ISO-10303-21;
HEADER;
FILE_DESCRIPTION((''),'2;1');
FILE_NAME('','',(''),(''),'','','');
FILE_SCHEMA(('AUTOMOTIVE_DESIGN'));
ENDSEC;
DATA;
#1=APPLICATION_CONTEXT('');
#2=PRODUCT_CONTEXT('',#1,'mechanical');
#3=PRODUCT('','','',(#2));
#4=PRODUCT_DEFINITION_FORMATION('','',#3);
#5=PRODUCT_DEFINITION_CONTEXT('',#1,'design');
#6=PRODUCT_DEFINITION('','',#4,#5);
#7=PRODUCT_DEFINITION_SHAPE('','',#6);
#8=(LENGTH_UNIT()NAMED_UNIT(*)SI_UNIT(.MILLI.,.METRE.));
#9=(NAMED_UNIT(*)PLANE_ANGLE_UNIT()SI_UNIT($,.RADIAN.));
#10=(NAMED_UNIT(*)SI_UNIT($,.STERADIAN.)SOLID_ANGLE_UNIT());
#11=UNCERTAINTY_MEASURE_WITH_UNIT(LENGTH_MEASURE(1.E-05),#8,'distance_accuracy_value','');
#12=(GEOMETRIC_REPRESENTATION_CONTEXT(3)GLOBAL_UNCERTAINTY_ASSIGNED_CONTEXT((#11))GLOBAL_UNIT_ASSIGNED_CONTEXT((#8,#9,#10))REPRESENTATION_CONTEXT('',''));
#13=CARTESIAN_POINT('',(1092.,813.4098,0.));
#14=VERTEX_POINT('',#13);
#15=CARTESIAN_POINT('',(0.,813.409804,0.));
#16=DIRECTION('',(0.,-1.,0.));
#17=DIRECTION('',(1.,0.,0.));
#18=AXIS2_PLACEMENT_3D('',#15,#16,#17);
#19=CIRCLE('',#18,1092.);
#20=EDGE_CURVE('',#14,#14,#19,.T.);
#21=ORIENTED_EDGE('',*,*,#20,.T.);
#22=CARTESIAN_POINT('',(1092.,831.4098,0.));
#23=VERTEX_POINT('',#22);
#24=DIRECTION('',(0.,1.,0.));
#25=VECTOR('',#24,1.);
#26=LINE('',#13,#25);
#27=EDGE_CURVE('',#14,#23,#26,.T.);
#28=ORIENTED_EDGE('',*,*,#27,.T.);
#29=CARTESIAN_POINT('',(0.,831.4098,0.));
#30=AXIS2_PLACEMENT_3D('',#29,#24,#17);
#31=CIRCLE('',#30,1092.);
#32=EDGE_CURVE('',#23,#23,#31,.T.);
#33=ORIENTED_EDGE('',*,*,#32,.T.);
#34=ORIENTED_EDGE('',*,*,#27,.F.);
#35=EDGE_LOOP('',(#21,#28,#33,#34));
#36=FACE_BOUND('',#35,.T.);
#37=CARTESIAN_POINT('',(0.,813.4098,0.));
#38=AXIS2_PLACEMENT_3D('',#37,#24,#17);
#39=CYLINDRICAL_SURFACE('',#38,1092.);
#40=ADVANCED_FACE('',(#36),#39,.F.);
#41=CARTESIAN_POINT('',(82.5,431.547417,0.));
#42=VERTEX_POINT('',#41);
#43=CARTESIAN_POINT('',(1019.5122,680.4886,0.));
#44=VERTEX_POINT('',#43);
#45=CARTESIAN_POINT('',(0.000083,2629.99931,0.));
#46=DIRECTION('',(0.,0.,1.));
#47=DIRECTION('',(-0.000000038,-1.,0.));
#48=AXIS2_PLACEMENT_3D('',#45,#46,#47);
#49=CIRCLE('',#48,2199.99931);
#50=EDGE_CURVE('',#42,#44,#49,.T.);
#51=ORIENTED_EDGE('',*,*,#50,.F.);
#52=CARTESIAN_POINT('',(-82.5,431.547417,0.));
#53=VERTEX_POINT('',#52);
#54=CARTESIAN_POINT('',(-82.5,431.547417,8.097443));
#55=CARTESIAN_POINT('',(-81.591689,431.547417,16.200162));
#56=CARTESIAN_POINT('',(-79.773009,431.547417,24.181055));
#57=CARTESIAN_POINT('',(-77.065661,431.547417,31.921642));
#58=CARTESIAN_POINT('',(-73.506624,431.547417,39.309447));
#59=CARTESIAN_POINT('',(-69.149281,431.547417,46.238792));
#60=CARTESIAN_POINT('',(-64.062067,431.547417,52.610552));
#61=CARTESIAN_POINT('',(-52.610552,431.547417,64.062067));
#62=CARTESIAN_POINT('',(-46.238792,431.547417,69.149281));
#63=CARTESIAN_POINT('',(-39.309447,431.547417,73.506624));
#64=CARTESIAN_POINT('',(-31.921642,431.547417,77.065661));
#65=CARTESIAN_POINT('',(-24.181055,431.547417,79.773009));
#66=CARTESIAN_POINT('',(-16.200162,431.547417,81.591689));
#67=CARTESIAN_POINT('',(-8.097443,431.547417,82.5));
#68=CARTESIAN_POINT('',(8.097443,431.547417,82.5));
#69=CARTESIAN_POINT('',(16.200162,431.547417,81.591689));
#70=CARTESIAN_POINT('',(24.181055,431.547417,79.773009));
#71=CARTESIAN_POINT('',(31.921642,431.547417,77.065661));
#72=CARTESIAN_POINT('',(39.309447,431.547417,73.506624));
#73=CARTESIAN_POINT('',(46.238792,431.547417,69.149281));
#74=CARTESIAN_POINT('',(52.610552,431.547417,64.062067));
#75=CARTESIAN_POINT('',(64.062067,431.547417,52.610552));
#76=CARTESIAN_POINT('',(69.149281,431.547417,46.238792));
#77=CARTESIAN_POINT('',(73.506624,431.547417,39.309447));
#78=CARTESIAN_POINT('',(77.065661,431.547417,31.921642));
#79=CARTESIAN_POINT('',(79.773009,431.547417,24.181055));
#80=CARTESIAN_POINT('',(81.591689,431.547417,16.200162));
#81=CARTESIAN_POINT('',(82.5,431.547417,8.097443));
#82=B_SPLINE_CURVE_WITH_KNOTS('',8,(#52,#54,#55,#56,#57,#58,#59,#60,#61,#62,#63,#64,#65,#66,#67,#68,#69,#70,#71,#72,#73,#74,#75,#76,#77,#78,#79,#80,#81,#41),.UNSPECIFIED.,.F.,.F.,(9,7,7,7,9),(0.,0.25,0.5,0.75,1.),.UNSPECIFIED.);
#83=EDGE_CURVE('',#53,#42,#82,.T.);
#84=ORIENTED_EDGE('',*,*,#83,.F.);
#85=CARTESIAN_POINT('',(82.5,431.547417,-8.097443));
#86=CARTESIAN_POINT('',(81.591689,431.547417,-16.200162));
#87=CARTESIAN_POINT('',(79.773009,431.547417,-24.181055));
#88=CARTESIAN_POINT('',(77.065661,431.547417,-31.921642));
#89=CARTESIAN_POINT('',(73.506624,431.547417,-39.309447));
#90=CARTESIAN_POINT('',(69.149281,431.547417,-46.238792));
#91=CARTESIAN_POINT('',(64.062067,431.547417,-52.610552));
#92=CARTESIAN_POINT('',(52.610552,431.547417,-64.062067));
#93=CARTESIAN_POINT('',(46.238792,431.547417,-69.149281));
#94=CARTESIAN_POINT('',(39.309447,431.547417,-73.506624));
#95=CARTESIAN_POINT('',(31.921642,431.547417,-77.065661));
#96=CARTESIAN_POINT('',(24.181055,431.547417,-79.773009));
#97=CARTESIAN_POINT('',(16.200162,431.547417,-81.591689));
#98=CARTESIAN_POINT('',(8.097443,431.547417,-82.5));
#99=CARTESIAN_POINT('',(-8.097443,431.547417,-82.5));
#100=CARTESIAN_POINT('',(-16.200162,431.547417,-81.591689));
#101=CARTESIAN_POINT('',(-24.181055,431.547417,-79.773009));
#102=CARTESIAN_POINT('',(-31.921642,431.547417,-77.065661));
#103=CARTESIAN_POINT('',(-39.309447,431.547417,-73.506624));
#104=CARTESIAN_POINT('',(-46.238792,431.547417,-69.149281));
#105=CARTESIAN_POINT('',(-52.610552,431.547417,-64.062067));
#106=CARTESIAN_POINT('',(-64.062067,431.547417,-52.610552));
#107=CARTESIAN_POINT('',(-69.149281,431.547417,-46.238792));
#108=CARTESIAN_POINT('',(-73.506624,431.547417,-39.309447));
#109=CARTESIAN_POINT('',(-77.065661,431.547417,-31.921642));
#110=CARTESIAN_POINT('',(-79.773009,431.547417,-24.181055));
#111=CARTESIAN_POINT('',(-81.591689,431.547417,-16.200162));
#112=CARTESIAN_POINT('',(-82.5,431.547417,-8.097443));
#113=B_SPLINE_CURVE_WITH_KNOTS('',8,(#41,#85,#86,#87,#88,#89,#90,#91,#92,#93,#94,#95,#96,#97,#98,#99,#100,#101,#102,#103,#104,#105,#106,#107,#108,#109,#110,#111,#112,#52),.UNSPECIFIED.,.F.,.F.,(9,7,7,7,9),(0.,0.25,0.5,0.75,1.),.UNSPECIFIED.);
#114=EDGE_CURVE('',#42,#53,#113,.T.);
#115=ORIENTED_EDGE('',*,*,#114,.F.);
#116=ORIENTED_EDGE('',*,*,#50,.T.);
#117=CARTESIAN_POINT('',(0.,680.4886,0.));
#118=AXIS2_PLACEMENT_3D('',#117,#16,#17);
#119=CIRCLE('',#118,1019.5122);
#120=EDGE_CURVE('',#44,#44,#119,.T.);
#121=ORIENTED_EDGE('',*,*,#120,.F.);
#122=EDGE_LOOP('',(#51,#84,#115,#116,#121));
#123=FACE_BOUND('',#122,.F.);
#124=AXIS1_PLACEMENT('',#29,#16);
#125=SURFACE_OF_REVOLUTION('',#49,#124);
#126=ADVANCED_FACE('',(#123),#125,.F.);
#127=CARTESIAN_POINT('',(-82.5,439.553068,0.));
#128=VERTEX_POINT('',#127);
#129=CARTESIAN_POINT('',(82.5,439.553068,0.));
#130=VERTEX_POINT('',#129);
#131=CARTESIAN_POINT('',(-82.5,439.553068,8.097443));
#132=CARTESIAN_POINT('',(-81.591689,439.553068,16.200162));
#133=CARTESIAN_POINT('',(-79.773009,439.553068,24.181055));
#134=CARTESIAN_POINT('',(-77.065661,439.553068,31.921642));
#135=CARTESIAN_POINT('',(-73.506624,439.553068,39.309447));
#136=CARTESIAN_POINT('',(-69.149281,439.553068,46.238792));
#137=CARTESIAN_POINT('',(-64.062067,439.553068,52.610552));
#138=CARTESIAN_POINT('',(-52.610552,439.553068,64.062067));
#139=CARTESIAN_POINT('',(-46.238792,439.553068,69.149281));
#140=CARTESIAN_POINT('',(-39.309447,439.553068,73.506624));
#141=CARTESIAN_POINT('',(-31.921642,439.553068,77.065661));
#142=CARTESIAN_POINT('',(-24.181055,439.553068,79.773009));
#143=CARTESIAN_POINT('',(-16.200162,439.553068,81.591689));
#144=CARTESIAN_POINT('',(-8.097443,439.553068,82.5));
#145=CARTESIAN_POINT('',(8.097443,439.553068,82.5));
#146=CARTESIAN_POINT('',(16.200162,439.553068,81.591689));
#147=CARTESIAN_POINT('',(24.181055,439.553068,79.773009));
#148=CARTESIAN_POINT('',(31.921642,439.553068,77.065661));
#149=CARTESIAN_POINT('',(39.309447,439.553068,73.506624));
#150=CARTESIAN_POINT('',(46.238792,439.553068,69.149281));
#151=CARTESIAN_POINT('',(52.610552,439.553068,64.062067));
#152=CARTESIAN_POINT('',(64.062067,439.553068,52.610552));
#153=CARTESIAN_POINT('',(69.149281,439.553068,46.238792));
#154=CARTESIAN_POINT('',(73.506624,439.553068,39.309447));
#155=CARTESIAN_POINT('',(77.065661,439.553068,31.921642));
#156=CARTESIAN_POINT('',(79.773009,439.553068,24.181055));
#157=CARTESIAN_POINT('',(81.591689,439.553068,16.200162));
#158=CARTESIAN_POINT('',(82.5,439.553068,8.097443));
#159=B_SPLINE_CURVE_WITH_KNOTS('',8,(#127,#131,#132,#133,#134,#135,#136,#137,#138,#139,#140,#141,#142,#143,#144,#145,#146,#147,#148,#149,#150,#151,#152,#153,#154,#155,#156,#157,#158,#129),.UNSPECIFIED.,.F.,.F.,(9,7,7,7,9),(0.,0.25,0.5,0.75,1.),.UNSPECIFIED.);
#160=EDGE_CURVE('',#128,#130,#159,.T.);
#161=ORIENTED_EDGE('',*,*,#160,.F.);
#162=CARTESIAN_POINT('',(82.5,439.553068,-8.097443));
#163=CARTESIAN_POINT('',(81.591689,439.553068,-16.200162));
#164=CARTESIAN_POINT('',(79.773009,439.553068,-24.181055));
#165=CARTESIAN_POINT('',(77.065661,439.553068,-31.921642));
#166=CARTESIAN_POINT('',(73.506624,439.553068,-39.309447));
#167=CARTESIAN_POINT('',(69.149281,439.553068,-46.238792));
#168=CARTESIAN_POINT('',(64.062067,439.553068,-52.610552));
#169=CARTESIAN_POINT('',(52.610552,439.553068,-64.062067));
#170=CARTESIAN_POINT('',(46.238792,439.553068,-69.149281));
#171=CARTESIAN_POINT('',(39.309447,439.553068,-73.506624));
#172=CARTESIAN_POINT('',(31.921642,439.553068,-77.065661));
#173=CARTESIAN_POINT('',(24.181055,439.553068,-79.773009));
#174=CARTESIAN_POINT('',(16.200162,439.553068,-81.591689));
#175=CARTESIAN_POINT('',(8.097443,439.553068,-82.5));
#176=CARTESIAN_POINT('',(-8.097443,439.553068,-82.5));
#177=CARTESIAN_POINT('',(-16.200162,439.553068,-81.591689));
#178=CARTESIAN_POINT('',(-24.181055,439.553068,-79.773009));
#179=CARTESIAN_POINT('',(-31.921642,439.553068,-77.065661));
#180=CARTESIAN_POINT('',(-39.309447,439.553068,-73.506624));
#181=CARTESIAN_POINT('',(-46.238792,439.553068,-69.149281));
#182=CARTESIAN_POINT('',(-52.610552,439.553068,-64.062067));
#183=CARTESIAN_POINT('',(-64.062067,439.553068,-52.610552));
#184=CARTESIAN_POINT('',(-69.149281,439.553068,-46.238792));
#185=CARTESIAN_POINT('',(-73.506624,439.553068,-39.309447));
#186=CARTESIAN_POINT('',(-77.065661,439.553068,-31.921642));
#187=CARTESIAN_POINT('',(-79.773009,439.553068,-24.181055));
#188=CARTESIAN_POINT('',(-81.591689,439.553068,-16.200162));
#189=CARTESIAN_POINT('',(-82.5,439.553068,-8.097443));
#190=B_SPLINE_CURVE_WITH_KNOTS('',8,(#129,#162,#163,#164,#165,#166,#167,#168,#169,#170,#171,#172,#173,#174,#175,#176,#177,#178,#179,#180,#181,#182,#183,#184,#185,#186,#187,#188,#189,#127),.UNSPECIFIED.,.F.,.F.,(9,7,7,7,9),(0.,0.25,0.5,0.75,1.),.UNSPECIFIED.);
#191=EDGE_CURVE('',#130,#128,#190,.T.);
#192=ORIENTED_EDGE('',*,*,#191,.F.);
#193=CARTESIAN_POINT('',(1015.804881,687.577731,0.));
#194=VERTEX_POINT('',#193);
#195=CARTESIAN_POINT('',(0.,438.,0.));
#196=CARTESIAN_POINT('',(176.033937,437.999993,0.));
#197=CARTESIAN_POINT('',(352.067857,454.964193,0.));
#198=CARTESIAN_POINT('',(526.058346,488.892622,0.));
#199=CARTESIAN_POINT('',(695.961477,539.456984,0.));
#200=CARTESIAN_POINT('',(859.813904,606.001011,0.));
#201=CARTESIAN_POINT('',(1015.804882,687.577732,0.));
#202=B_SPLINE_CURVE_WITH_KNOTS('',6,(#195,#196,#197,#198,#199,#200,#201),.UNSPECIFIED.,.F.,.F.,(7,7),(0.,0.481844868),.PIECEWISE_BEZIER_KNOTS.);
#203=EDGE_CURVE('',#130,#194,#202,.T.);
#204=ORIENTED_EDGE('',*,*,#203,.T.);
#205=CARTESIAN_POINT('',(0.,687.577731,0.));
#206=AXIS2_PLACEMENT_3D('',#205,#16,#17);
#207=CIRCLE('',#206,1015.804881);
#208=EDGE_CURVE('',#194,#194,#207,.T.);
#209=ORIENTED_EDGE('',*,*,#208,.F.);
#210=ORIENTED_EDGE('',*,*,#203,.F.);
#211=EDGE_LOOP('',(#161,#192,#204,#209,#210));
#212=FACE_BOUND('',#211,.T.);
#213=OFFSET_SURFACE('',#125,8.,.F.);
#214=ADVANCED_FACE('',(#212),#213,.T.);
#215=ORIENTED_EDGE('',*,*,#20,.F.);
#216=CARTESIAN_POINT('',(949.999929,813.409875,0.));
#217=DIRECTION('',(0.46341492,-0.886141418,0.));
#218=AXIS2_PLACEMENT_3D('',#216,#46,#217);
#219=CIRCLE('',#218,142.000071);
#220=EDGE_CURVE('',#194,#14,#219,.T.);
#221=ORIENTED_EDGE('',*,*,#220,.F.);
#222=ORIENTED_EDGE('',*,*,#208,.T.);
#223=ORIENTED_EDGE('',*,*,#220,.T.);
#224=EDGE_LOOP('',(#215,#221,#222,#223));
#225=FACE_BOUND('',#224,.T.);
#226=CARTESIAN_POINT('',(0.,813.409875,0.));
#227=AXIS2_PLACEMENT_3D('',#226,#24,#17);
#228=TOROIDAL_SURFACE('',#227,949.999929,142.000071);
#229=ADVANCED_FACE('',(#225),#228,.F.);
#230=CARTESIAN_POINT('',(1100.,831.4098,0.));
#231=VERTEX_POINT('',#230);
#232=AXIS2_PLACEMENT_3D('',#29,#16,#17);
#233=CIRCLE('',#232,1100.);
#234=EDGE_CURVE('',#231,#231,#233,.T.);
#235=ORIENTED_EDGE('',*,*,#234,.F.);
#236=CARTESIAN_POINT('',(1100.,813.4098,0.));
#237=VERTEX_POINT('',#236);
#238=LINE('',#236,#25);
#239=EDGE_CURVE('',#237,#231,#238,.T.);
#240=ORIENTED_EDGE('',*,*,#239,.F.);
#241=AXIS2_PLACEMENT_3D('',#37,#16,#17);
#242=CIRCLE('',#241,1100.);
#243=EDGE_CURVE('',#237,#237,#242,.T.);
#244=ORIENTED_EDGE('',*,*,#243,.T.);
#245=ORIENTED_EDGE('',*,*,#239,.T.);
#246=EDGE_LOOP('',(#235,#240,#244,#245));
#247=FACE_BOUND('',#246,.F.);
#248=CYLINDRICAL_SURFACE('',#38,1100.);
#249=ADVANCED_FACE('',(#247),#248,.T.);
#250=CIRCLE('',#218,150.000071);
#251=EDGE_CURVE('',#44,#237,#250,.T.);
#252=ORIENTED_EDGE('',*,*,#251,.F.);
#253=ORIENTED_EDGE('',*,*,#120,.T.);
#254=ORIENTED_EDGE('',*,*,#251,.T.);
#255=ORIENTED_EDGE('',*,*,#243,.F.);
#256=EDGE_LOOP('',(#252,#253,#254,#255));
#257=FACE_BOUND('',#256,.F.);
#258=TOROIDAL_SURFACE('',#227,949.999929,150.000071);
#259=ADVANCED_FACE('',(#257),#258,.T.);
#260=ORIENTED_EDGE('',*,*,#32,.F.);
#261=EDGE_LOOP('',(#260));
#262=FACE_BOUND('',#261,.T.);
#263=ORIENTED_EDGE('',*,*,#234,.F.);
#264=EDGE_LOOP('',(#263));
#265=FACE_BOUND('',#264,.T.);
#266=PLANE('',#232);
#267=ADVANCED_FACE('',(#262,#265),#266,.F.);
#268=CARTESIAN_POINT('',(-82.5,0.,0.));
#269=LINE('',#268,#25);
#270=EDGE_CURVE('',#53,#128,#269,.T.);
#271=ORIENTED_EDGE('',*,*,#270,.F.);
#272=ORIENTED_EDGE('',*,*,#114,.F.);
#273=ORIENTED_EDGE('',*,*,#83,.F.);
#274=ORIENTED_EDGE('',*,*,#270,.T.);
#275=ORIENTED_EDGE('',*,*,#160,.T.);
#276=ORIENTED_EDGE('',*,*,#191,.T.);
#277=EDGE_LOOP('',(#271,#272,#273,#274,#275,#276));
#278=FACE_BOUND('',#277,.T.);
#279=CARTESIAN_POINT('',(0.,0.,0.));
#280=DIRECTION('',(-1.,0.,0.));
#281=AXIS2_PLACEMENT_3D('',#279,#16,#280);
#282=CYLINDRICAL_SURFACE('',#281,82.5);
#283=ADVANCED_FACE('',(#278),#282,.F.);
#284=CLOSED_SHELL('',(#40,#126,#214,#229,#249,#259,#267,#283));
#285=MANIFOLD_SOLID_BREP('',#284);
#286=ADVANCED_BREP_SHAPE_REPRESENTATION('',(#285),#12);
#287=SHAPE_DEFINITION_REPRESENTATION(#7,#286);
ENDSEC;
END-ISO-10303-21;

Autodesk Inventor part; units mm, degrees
ref_plane "YZ Plane" through (0, 0, 0) normal (1, 0, 0) x (0, 1, 0)
ref_plane "XZ Plane" through (0, 0, 0) normal (0, 1, 0) x (-1, 0, 0)
ref_plane "XY Plane" through (0, 0, 0) normal (0, 0, 1) x (1, 0, 0)
sketch "Sketch1" plane through (0, 0, 0) normal (0, 0, 1) x (1, 0, 0)
  line L0 (-1019.5122, 680.4886) -> (1019.5122, 680.4886) construction
  arc A0 (-1019.5122, 680.4886) -> (0, 430) centre (0, 2630) ccw construction
  line L1 (-1100, 813.4098) -> (1100, 813.4098) construction
  arc A1 (-1100, 813.4098) -> (-1019.5122, 680.4886) centre (-950, 813.4098) ccw construction
  arc A2 (1019.5122, 680.4886) -> (1100, 813.4098) centre (950, 813.4098) ccw
  line L2 (-1100, 813.4098) -> (-1100, 831.4098)
  line L3 (1100, 813.4098) -> (1100, 831.4098)
  line L4 (-1100, 831.4098) -> (0, 831.4098) construction
  line L5 (0, 831.4098) -> (0, 0)
  arc A3 (0, 430) -> (1019.5122, 680.4886) centre (0, 2630) ccw
  line L6 (0, 831.4098) -> (1100, 831.4098)
  dimension "d0" = 2200
  dimension "d1" = 150
  dimension "d2" = 18
  dimension "d3" = 2200
  dimension "d7_from_floor" = 430
revolve "Revolution1" add sketch "Sketch1" angle 360 about axis through (0, 831.4098, 0) along (0, -1, 0)
shell "Shell1" thickness 8 removed faces 1 at (-192.246, 831.4098, 312.2274)
sketch "Sketch2" plane through (0, 0, 0) normal (0, 1, 0) x (-1, 0, 0)
  circle A0 centre (0, 0) radius 82.5
  dimension "d10" = 165
extrude "Extrusion1" cut sketch "Sketch2" along normal through all
equation "\"d0\" = d3"
equation "\"d3\" = MAIN_Filter_Diam"
equation "\"d10\" = MAIN_Outer_Tube_Diam"
equation "\"MAIN_Filter_Diam\" = 2200"
equation "\"MAIN_Outer_Tube_Diam\" = 165"
properties part number "dished head" material "Stainless Steel"
